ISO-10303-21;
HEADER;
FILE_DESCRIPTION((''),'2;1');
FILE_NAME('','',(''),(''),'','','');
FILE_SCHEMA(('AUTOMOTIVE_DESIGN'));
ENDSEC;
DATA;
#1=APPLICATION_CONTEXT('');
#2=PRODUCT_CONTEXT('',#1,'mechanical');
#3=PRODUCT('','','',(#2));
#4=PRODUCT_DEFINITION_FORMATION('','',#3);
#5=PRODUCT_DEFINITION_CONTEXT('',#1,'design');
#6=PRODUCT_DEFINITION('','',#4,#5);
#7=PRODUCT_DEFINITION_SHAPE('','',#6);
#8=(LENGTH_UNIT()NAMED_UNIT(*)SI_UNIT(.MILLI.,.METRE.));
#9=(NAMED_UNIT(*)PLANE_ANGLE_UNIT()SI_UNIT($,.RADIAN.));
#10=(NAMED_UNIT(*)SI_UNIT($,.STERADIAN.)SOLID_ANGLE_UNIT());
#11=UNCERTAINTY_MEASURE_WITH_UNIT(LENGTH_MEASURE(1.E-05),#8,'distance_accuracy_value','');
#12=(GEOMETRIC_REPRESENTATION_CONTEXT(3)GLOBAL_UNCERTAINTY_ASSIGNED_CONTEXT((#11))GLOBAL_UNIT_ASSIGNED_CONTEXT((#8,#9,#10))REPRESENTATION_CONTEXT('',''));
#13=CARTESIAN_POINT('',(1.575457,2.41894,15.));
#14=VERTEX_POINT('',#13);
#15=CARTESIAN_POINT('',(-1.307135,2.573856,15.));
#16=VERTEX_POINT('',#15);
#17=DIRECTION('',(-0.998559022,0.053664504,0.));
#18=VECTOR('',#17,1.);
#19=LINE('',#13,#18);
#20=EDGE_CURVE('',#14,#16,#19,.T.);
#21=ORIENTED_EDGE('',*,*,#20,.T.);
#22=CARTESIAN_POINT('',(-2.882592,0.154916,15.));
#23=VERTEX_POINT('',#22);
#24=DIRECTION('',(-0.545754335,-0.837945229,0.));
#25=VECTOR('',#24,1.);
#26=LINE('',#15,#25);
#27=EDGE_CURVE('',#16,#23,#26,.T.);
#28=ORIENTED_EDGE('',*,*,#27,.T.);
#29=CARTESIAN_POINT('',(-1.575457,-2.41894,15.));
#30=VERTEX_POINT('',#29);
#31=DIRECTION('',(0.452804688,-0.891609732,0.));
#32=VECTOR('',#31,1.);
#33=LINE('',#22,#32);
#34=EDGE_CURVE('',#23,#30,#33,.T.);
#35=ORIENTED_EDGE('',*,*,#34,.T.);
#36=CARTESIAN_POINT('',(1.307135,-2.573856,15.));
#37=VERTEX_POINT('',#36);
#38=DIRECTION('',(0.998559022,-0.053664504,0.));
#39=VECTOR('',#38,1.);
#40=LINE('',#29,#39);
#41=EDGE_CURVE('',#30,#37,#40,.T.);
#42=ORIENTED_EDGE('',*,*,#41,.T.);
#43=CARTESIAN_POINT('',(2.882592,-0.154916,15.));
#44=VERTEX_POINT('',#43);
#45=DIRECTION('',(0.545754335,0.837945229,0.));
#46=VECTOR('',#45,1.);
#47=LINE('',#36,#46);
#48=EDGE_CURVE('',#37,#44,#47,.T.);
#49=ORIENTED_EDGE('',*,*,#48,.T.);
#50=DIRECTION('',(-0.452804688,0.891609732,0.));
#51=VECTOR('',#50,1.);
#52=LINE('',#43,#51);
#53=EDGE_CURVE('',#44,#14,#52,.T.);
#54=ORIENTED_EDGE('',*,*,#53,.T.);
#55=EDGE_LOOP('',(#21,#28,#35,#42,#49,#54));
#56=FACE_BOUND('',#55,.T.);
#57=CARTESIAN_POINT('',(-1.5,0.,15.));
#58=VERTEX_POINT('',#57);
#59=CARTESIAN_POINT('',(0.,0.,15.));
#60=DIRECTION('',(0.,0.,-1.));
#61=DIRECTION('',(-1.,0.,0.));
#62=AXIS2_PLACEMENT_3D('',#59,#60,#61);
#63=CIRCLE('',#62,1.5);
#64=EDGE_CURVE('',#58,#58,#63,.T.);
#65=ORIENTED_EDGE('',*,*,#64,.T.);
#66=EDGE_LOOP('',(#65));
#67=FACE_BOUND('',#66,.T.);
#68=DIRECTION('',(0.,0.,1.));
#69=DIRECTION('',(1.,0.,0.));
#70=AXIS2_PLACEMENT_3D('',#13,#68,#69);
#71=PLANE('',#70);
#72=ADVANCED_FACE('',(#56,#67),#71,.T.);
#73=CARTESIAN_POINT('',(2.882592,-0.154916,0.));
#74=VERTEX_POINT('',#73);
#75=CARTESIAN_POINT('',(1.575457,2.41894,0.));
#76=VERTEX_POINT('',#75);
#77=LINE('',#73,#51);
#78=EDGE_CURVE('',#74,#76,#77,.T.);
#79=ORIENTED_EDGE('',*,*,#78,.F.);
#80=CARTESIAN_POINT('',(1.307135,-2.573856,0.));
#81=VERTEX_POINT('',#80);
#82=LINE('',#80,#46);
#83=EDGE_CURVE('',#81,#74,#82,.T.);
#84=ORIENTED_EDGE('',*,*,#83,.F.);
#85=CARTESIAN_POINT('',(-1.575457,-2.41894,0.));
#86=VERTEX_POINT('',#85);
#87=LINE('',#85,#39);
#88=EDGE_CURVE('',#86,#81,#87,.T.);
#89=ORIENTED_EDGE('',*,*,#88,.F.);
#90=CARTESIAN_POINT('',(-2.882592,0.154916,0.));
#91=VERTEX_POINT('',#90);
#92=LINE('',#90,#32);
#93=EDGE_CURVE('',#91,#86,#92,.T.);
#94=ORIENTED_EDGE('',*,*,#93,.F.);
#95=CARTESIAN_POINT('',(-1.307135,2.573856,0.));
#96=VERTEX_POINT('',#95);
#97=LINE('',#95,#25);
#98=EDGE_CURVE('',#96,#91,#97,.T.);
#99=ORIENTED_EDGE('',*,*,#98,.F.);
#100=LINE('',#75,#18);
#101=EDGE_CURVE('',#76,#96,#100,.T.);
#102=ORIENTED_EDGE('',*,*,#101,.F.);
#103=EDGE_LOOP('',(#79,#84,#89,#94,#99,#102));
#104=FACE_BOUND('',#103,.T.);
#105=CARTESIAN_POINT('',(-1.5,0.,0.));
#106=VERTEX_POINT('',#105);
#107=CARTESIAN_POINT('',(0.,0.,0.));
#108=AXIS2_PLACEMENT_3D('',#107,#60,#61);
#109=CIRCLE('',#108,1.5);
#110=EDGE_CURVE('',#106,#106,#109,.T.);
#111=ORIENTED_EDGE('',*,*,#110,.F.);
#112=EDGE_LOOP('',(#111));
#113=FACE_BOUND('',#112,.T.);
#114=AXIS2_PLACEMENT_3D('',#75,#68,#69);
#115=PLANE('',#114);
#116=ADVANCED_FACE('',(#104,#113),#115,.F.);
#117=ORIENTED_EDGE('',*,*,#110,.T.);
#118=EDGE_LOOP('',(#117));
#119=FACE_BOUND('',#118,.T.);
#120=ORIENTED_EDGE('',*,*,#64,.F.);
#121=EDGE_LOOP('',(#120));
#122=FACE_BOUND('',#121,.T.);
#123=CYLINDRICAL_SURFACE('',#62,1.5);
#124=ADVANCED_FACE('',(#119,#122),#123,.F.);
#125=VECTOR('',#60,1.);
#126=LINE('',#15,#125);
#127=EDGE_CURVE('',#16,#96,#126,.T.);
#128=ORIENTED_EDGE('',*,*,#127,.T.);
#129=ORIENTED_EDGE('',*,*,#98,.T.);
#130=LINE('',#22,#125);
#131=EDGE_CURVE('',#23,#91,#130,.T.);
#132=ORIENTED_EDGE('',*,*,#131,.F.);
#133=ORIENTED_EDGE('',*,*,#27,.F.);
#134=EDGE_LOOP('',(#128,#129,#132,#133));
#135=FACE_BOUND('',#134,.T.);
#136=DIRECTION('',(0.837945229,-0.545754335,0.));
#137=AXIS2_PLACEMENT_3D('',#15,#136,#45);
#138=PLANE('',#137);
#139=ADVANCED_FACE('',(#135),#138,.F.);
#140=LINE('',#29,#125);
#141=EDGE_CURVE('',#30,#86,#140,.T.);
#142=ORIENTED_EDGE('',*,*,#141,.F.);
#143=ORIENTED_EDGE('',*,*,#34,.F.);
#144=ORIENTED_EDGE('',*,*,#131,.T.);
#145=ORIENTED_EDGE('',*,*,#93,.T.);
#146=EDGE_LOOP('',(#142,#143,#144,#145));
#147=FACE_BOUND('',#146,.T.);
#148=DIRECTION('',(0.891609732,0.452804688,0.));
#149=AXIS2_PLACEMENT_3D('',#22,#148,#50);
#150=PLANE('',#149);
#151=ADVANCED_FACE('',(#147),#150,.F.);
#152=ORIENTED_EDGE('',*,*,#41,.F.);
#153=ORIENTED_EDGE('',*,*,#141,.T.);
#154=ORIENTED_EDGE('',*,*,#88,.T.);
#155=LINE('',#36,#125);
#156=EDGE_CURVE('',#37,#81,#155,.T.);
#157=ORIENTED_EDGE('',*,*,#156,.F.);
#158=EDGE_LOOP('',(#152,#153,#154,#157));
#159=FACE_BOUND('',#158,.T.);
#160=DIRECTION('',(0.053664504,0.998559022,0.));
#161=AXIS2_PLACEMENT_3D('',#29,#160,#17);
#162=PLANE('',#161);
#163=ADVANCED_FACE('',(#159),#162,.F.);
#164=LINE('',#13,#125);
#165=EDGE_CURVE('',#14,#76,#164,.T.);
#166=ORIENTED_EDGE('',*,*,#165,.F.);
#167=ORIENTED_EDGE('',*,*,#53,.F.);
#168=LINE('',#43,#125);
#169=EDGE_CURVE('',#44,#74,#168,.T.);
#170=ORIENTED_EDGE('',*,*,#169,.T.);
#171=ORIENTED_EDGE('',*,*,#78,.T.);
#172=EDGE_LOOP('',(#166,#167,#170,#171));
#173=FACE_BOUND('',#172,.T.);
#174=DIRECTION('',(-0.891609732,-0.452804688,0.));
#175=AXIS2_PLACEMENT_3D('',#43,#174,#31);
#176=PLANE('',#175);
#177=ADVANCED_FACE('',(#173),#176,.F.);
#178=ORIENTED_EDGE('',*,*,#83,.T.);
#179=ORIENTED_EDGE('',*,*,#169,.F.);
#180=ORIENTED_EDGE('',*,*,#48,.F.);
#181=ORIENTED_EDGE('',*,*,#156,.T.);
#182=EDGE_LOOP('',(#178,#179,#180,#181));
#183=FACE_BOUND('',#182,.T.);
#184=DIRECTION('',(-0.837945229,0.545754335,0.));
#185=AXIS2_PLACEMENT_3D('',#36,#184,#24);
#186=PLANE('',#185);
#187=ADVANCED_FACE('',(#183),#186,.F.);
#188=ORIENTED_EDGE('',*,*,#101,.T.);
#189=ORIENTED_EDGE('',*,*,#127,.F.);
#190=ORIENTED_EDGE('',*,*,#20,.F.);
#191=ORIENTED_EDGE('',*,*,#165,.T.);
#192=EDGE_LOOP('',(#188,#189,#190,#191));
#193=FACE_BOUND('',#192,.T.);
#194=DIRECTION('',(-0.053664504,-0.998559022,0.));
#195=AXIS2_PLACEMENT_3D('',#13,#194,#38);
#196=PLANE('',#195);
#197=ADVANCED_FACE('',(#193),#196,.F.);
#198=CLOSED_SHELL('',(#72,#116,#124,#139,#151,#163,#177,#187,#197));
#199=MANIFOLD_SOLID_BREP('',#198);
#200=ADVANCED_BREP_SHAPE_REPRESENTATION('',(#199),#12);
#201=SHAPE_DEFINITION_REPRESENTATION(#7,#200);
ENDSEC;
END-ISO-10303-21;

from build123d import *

# Parameters (mm, degrees)
BOSS_EXTRUDE1_DEPTH = 15
SKETCH2_R           = 1.5
CUT_EXTRUDE1_DEPTH  = 16


with BuildPart() as part:
    # Sketch1 → Boss-Extrude1 (new body)
    with BuildSketch(Plane.XY):
        Polygon((1.57545706, 2.418939517), (-1.307134542, 2.573855595), (-2.882591602, 0.154916078), (-1.57545706, -2.418939517), (1.307134542, -2.573855595), (2.882591602, -0.154916078), align=None)
    extrude(amount=BOSS_EXTRUDE1_DEPTH)

    # Sketch2 → Cut-Extrude1 (cut, through all)
    with BuildSketch(Plane(origin=(0, 0, 0), x_dir=(-1, 0, 0), z_dir=(0, 0, -1))):
        Circle(SKETCH2_R)
    extrude(amount=-CUT_EXTRUDE1_DEPTH, mode=Mode.SUBTRACT)


solid = part.part
